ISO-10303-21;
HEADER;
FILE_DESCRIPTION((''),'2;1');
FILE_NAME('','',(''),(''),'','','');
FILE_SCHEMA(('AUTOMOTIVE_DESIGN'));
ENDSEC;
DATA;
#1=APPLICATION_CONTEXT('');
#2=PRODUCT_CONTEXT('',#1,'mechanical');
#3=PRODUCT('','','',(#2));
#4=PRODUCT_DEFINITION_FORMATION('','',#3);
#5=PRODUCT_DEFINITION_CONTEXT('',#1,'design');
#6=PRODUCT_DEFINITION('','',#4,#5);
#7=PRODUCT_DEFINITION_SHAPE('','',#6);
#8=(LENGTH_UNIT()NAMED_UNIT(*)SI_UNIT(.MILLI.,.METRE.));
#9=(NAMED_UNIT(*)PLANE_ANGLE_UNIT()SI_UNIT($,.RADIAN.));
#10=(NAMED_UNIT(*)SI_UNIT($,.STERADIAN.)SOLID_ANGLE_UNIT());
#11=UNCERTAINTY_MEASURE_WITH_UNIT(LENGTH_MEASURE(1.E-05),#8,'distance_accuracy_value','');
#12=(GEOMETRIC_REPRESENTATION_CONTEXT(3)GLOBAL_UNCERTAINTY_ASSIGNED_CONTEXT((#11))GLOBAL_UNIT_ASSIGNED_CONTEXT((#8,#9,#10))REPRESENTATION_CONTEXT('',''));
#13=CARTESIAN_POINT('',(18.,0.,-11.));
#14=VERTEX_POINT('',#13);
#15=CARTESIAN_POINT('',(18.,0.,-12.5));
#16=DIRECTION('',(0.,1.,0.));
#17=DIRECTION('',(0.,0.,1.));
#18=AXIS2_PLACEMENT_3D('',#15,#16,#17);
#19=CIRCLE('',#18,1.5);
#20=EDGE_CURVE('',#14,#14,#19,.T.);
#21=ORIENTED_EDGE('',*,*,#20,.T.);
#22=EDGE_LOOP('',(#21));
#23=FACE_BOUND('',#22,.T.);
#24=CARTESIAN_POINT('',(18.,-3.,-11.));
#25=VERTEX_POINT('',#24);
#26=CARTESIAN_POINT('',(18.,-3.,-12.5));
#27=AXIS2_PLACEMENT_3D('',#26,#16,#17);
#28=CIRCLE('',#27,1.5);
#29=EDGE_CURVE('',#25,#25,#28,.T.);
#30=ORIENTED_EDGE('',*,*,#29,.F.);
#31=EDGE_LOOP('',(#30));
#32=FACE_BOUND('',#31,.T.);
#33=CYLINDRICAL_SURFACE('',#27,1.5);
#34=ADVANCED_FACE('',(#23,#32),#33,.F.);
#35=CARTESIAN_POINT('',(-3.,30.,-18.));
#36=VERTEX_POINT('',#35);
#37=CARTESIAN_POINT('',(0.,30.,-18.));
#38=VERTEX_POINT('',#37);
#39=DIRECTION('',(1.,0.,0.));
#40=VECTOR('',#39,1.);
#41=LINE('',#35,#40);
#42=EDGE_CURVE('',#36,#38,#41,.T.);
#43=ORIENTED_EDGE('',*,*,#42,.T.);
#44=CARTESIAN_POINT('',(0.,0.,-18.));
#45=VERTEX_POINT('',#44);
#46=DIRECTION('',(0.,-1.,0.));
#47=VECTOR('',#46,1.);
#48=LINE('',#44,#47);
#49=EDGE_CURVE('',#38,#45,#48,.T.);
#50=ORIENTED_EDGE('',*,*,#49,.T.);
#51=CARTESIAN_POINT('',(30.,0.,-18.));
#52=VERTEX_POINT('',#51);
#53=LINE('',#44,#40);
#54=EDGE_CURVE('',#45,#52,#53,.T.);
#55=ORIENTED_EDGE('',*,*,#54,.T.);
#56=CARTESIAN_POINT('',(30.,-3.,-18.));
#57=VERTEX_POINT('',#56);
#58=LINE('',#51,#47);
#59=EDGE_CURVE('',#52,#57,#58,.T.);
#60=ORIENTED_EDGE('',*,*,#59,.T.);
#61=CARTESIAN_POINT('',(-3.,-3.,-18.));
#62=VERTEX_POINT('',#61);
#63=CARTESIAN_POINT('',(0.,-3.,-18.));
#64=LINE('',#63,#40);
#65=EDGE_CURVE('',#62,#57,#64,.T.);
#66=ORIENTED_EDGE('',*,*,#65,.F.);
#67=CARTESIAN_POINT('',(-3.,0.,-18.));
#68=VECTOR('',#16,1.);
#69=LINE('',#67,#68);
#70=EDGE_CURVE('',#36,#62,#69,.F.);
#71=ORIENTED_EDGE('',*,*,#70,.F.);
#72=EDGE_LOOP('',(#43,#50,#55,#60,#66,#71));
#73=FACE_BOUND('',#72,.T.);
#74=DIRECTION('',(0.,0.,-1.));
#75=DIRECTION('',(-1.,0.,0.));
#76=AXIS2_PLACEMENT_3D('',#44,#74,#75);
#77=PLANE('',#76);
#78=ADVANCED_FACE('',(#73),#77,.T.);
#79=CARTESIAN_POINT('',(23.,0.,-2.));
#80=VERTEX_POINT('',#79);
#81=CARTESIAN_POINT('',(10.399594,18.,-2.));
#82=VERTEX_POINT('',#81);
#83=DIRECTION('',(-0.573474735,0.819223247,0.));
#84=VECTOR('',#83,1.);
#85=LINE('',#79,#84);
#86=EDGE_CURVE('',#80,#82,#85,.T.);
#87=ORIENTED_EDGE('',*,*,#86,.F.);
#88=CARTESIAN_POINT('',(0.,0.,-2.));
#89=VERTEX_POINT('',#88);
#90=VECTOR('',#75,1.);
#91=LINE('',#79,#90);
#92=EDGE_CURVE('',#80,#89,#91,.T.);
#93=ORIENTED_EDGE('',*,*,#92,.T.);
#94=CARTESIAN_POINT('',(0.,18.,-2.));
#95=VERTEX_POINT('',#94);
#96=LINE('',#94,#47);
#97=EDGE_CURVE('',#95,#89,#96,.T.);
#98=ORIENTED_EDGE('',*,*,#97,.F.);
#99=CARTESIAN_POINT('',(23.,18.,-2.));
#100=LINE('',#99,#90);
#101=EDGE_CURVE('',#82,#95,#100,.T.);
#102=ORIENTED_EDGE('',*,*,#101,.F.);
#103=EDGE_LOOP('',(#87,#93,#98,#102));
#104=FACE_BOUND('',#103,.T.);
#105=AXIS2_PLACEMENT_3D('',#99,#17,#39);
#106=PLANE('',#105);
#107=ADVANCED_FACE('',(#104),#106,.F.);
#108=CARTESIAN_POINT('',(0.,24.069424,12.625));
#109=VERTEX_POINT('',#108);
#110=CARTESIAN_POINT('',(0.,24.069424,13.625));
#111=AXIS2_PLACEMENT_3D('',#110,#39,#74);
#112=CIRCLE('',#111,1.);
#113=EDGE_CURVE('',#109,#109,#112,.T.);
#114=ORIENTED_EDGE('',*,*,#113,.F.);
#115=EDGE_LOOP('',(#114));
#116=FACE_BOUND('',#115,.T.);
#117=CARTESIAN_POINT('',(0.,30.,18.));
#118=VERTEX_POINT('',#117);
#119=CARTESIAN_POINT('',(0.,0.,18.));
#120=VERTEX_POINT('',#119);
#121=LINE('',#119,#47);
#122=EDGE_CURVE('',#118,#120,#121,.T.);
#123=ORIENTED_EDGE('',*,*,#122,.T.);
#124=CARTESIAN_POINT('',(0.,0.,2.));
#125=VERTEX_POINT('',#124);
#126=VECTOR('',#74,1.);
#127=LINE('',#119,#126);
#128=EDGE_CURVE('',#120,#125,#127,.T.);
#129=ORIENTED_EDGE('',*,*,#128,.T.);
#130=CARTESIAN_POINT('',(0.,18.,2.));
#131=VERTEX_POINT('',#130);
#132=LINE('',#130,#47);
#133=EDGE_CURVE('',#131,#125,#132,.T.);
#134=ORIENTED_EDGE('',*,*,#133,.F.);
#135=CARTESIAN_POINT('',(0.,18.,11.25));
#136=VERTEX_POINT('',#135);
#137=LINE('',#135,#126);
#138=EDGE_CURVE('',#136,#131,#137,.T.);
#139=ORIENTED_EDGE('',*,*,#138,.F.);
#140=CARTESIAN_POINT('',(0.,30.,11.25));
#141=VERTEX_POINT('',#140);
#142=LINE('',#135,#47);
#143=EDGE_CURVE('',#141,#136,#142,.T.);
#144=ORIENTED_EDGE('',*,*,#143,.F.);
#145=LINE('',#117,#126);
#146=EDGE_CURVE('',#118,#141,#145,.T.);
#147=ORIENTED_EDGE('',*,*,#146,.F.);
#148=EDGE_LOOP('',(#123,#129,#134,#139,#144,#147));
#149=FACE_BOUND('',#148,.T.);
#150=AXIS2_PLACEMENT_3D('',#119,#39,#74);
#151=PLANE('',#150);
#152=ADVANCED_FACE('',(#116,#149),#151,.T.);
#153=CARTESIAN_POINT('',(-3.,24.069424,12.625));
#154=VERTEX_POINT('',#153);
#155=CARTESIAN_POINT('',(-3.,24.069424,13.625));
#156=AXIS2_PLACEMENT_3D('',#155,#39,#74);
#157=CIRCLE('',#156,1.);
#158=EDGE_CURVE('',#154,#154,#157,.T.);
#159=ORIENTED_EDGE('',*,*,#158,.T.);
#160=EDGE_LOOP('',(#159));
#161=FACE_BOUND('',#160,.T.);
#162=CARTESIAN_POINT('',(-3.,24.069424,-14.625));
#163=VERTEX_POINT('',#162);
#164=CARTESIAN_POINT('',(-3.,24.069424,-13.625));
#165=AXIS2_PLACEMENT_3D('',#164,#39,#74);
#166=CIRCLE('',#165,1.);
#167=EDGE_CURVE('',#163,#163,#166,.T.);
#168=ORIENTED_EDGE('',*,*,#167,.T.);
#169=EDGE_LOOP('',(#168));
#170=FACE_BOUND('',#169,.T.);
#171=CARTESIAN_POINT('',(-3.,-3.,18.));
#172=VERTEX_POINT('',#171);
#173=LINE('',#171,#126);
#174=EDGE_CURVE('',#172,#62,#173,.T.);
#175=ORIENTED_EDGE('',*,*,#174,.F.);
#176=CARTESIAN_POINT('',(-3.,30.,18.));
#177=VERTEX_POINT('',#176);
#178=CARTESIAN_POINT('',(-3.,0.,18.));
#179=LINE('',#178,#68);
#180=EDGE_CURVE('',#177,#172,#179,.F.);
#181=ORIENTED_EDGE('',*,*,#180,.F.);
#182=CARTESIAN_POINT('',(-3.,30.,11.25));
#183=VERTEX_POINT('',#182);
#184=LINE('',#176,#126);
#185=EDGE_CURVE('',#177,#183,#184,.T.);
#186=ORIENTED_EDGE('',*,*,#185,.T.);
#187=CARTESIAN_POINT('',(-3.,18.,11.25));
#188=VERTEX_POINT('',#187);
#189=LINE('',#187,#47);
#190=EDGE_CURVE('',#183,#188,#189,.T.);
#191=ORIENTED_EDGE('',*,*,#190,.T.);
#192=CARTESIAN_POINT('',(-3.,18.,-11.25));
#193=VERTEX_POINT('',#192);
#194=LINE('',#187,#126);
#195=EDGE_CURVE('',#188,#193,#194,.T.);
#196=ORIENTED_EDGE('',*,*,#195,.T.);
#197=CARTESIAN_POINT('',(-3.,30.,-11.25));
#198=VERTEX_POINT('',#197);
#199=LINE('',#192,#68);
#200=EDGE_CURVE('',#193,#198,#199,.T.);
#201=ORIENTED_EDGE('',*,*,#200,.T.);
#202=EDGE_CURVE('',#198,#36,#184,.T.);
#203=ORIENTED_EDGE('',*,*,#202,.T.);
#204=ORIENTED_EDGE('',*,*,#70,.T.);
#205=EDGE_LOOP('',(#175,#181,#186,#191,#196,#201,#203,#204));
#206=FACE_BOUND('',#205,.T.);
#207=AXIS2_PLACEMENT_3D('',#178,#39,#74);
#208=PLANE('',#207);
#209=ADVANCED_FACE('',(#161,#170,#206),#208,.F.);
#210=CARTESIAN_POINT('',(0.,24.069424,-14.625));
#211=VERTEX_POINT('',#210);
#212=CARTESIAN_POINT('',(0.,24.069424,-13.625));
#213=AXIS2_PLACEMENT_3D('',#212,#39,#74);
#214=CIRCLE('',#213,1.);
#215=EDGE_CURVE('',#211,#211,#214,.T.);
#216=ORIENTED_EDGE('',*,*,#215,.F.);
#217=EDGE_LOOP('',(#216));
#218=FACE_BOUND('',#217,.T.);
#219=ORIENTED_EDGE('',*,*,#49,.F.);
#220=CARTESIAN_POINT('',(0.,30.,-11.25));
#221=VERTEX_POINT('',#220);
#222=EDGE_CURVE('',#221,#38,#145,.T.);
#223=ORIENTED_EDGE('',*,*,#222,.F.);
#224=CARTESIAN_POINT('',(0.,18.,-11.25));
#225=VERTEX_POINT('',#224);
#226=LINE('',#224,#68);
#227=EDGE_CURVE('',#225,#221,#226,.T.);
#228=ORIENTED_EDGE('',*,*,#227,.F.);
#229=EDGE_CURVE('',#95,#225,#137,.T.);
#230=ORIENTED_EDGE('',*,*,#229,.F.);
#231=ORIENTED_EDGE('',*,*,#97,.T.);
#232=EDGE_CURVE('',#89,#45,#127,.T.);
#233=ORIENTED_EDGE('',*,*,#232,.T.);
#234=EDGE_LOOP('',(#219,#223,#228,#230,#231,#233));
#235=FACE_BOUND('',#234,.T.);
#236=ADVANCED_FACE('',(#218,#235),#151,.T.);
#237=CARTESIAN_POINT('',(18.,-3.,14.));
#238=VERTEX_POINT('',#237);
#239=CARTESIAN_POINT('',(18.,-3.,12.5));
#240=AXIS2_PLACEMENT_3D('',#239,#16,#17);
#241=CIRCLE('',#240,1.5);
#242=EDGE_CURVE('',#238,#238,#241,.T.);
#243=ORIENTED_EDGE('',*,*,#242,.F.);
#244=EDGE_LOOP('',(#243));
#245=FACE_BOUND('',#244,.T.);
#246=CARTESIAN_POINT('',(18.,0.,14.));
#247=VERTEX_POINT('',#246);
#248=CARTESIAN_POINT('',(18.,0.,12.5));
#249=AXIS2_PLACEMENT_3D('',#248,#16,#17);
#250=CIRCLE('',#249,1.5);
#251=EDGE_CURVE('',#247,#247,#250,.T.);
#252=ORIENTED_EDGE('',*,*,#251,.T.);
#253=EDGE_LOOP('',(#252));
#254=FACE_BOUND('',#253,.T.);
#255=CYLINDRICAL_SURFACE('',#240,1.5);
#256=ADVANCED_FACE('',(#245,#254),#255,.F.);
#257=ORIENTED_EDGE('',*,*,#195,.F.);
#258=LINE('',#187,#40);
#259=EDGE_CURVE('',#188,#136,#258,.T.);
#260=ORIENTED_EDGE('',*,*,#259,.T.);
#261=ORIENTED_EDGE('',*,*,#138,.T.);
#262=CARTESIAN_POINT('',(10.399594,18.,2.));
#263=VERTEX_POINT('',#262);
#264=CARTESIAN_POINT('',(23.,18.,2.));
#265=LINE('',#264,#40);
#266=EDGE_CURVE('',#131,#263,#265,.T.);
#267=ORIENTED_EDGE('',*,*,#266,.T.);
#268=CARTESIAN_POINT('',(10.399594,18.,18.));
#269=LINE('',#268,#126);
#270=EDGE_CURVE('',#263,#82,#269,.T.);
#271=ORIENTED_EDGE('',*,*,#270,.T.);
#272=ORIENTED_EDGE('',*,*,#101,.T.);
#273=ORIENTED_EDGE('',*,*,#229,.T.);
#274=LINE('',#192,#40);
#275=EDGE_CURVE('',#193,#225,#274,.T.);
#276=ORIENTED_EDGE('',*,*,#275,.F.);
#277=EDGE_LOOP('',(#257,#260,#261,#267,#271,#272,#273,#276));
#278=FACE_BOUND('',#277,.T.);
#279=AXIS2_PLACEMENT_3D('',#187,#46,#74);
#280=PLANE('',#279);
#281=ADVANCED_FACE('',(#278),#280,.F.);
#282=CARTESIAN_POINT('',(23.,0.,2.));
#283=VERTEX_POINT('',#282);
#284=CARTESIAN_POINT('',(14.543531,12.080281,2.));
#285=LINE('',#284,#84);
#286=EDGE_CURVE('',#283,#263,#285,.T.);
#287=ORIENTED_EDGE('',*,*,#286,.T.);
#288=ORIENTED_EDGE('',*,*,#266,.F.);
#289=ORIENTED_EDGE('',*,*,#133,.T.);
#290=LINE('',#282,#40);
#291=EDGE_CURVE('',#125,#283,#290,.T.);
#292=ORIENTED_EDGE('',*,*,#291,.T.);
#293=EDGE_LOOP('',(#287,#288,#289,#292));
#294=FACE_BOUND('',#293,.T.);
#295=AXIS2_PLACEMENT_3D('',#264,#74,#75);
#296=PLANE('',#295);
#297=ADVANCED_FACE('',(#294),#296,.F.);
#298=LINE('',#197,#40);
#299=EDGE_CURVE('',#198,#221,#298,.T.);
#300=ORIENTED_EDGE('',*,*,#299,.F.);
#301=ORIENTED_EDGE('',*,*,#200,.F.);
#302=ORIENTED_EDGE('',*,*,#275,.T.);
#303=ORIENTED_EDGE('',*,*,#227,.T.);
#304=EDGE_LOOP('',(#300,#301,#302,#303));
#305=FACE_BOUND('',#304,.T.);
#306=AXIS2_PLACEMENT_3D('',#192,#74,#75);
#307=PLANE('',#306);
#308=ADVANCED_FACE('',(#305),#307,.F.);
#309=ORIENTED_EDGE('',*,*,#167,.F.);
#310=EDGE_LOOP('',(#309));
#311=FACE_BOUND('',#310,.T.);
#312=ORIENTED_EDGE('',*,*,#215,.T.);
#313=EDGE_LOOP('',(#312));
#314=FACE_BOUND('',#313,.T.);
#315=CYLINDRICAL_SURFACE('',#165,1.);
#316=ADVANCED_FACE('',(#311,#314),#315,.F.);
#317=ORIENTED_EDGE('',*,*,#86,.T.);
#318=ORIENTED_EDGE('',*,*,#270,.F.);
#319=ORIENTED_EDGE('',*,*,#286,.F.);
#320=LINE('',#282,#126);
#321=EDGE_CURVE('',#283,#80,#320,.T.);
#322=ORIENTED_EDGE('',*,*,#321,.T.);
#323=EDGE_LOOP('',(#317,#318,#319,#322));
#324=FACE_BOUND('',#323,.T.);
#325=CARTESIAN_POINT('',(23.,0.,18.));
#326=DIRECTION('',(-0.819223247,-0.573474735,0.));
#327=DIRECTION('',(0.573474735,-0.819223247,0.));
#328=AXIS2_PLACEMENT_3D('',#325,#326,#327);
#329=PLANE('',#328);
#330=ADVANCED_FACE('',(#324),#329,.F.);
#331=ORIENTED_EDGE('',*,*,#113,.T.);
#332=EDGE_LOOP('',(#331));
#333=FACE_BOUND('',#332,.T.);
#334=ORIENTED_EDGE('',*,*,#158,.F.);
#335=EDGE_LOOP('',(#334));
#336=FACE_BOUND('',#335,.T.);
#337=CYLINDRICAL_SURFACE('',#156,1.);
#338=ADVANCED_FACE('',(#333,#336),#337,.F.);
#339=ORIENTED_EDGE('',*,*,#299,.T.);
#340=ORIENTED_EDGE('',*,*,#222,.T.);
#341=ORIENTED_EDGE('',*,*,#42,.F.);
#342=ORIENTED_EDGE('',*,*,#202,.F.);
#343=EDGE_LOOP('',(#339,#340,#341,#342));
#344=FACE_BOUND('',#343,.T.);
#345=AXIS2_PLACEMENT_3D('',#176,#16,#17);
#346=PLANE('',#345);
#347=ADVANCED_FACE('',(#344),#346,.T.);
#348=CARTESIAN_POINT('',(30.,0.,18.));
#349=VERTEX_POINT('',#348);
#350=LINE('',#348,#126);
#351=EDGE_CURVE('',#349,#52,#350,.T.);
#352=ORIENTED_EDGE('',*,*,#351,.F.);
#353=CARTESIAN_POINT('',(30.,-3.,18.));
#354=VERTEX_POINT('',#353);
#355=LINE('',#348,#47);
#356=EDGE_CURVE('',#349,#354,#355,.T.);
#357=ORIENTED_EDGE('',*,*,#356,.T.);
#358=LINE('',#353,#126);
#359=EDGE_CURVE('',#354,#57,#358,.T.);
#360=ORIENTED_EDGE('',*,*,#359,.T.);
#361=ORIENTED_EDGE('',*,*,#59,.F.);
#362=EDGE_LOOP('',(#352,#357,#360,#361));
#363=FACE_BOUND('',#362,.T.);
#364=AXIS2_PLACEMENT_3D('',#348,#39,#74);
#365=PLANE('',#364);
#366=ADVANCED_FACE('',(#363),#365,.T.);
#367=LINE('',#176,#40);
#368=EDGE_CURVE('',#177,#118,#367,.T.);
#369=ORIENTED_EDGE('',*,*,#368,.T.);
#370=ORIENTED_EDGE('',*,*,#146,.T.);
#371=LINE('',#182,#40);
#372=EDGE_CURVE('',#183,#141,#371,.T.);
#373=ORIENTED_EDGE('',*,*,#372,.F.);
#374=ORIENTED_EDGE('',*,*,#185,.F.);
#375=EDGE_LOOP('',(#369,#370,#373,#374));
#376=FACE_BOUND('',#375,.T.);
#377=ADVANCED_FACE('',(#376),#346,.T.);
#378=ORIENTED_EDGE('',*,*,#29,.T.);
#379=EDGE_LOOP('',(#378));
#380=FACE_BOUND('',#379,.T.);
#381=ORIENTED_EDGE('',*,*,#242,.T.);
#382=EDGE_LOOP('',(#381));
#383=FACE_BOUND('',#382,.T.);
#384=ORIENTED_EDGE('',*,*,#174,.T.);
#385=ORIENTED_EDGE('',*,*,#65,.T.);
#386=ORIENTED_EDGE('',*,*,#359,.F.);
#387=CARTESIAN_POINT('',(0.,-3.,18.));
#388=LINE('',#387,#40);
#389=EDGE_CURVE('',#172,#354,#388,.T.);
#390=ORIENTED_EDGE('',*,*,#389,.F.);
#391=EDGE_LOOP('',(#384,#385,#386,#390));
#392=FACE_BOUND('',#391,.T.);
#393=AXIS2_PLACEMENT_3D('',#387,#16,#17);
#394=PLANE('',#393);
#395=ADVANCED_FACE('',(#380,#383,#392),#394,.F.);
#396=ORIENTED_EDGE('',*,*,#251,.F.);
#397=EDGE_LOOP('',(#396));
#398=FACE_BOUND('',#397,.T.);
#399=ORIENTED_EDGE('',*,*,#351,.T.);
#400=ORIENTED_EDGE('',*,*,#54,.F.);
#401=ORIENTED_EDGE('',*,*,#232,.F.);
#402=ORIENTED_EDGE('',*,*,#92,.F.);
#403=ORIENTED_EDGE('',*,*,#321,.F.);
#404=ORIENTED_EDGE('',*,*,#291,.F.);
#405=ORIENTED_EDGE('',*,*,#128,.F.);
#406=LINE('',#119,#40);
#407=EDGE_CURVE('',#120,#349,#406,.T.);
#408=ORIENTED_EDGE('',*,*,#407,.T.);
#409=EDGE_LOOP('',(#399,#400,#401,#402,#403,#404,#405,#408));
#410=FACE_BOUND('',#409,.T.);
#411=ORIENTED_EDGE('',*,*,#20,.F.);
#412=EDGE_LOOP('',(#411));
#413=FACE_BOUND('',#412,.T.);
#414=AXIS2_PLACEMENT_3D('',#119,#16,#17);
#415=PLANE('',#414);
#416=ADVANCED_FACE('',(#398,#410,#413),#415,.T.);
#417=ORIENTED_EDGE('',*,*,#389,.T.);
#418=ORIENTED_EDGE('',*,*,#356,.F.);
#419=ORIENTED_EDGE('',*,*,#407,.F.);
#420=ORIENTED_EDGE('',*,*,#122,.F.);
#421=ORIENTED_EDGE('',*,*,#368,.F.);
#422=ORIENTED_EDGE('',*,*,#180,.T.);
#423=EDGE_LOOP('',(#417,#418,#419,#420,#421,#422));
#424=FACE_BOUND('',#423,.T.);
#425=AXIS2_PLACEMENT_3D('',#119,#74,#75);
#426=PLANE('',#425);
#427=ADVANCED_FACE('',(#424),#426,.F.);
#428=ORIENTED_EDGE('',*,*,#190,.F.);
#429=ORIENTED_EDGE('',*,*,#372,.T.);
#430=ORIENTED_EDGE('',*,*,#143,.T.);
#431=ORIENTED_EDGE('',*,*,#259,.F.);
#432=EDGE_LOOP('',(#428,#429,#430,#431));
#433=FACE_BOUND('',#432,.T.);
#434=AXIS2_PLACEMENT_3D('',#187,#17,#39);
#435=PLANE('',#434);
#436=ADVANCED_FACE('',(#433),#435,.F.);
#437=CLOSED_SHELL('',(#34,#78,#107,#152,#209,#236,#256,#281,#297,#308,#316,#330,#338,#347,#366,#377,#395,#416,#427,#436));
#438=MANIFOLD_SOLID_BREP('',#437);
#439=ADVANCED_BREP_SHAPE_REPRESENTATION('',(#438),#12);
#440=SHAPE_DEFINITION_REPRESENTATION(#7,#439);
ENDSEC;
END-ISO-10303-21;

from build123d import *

# Parameters (mm, degrees)
EXTRUDE_THIN1_DEPTH = 18
SKETCH2_W           = 22.5
SKETCH2_H           = 12
CUT_EXTRUDE1_DEPTH  = 4
SKETCH3_R           = 1
CUT_EXTRUDE2_DEPTH  = 4
SKETCH6_W           = 23
SKETCH6_H           = 4
BOSS_EXTRUDE1_DEPTH = 18
CUT_EXTRUDE3_DEPTH  = 21
SKETCH8_R           = 1.5
CUT_EXTRUDE4_DEPTH  = 4


with BuildPart() as part:
    # Sketch1 → Extrude-Thin1 (new body, symmetric)
    with BuildSketch(Plane.XY):
        Polygon((30, 0), (0, 0), (0, 30), (-3, 30), (-3, -3), (30, -3), align=None)
    extrude(amount=EXTRUDE_THIN1_DEPTH, both=True)

    # Sketch2 → Cut-Extrude1 (cut, through all)
    with BuildSketch(Plane(origin=(0, 0, 0), x_dir=(0, 0, -1), z_dir=(1, 0, 0))):
        with Locations((0, 24)):
            Rectangle(SKETCH2_W, SKETCH2_H)
    extrude(amount=-CUT_EXTRUDE1_DEPTH, mode=Mode.SUBTRACT)

    # Sketch3 → Cut-Extrude2 (cut, through all)
    with BuildSketch(Plane(origin=(0, 0, 0), x_dir=(0, 0, -1), z_dir=(1, 0, 0))):
        with Locations((13.625, 24.069423531)):
            Circle(SKETCH3_R)
        with Locations((-13.625, 24.069423531)):
            Circle(SKETCH3_R)
    extrude(amount=-CUT_EXTRUDE2_DEPTH, mode=Mode.SUBTRACT)

    # Sketch6 → Boss-Extrude1 (add)
    with BuildSketch(Plane(origin=(0, 0, 0), x_dir=(1, 0, 0), z_dir=(0, 1, 0))):
        with Locations((11.5, 0)):
            Rectangle(SKETCH6_W, SKETCH6_H)
    extrude(amount=BOSS_EXTRUDE1_DEPTH)

    # Sketch7 → Cut-Extrude3 (cut, through all)
    with BuildSketch(Plane(origin=(0, 0, -2), x_dir=(-1, 0, 0), z_dir=(0, 0, -1))):
        Polygon((-10.399594351, 18), (-23, 18), (-23, 0), align=None)
    extrude(amount=-CUT_EXTRUDE3_DEPTH, mode=Mode.SUBTRACT)

    # Sketch8 → Cut-Extrude4 (cut, through all)
    with BuildSketch(Plane(origin=(0, 0, 0), x_dir=(1, 0, 0), z_dir=(0, 1, 0))):
        with Locations((18, 12.5)):
            Circle(SKETCH8_R)
        with Locations((18, -12.5)):
            Circle(SKETCH8_R)
    extrude(amount=-CUT_EXTRUDE4_DEPTH, mode=Mode.SUBTRACT)


solid = part.part
